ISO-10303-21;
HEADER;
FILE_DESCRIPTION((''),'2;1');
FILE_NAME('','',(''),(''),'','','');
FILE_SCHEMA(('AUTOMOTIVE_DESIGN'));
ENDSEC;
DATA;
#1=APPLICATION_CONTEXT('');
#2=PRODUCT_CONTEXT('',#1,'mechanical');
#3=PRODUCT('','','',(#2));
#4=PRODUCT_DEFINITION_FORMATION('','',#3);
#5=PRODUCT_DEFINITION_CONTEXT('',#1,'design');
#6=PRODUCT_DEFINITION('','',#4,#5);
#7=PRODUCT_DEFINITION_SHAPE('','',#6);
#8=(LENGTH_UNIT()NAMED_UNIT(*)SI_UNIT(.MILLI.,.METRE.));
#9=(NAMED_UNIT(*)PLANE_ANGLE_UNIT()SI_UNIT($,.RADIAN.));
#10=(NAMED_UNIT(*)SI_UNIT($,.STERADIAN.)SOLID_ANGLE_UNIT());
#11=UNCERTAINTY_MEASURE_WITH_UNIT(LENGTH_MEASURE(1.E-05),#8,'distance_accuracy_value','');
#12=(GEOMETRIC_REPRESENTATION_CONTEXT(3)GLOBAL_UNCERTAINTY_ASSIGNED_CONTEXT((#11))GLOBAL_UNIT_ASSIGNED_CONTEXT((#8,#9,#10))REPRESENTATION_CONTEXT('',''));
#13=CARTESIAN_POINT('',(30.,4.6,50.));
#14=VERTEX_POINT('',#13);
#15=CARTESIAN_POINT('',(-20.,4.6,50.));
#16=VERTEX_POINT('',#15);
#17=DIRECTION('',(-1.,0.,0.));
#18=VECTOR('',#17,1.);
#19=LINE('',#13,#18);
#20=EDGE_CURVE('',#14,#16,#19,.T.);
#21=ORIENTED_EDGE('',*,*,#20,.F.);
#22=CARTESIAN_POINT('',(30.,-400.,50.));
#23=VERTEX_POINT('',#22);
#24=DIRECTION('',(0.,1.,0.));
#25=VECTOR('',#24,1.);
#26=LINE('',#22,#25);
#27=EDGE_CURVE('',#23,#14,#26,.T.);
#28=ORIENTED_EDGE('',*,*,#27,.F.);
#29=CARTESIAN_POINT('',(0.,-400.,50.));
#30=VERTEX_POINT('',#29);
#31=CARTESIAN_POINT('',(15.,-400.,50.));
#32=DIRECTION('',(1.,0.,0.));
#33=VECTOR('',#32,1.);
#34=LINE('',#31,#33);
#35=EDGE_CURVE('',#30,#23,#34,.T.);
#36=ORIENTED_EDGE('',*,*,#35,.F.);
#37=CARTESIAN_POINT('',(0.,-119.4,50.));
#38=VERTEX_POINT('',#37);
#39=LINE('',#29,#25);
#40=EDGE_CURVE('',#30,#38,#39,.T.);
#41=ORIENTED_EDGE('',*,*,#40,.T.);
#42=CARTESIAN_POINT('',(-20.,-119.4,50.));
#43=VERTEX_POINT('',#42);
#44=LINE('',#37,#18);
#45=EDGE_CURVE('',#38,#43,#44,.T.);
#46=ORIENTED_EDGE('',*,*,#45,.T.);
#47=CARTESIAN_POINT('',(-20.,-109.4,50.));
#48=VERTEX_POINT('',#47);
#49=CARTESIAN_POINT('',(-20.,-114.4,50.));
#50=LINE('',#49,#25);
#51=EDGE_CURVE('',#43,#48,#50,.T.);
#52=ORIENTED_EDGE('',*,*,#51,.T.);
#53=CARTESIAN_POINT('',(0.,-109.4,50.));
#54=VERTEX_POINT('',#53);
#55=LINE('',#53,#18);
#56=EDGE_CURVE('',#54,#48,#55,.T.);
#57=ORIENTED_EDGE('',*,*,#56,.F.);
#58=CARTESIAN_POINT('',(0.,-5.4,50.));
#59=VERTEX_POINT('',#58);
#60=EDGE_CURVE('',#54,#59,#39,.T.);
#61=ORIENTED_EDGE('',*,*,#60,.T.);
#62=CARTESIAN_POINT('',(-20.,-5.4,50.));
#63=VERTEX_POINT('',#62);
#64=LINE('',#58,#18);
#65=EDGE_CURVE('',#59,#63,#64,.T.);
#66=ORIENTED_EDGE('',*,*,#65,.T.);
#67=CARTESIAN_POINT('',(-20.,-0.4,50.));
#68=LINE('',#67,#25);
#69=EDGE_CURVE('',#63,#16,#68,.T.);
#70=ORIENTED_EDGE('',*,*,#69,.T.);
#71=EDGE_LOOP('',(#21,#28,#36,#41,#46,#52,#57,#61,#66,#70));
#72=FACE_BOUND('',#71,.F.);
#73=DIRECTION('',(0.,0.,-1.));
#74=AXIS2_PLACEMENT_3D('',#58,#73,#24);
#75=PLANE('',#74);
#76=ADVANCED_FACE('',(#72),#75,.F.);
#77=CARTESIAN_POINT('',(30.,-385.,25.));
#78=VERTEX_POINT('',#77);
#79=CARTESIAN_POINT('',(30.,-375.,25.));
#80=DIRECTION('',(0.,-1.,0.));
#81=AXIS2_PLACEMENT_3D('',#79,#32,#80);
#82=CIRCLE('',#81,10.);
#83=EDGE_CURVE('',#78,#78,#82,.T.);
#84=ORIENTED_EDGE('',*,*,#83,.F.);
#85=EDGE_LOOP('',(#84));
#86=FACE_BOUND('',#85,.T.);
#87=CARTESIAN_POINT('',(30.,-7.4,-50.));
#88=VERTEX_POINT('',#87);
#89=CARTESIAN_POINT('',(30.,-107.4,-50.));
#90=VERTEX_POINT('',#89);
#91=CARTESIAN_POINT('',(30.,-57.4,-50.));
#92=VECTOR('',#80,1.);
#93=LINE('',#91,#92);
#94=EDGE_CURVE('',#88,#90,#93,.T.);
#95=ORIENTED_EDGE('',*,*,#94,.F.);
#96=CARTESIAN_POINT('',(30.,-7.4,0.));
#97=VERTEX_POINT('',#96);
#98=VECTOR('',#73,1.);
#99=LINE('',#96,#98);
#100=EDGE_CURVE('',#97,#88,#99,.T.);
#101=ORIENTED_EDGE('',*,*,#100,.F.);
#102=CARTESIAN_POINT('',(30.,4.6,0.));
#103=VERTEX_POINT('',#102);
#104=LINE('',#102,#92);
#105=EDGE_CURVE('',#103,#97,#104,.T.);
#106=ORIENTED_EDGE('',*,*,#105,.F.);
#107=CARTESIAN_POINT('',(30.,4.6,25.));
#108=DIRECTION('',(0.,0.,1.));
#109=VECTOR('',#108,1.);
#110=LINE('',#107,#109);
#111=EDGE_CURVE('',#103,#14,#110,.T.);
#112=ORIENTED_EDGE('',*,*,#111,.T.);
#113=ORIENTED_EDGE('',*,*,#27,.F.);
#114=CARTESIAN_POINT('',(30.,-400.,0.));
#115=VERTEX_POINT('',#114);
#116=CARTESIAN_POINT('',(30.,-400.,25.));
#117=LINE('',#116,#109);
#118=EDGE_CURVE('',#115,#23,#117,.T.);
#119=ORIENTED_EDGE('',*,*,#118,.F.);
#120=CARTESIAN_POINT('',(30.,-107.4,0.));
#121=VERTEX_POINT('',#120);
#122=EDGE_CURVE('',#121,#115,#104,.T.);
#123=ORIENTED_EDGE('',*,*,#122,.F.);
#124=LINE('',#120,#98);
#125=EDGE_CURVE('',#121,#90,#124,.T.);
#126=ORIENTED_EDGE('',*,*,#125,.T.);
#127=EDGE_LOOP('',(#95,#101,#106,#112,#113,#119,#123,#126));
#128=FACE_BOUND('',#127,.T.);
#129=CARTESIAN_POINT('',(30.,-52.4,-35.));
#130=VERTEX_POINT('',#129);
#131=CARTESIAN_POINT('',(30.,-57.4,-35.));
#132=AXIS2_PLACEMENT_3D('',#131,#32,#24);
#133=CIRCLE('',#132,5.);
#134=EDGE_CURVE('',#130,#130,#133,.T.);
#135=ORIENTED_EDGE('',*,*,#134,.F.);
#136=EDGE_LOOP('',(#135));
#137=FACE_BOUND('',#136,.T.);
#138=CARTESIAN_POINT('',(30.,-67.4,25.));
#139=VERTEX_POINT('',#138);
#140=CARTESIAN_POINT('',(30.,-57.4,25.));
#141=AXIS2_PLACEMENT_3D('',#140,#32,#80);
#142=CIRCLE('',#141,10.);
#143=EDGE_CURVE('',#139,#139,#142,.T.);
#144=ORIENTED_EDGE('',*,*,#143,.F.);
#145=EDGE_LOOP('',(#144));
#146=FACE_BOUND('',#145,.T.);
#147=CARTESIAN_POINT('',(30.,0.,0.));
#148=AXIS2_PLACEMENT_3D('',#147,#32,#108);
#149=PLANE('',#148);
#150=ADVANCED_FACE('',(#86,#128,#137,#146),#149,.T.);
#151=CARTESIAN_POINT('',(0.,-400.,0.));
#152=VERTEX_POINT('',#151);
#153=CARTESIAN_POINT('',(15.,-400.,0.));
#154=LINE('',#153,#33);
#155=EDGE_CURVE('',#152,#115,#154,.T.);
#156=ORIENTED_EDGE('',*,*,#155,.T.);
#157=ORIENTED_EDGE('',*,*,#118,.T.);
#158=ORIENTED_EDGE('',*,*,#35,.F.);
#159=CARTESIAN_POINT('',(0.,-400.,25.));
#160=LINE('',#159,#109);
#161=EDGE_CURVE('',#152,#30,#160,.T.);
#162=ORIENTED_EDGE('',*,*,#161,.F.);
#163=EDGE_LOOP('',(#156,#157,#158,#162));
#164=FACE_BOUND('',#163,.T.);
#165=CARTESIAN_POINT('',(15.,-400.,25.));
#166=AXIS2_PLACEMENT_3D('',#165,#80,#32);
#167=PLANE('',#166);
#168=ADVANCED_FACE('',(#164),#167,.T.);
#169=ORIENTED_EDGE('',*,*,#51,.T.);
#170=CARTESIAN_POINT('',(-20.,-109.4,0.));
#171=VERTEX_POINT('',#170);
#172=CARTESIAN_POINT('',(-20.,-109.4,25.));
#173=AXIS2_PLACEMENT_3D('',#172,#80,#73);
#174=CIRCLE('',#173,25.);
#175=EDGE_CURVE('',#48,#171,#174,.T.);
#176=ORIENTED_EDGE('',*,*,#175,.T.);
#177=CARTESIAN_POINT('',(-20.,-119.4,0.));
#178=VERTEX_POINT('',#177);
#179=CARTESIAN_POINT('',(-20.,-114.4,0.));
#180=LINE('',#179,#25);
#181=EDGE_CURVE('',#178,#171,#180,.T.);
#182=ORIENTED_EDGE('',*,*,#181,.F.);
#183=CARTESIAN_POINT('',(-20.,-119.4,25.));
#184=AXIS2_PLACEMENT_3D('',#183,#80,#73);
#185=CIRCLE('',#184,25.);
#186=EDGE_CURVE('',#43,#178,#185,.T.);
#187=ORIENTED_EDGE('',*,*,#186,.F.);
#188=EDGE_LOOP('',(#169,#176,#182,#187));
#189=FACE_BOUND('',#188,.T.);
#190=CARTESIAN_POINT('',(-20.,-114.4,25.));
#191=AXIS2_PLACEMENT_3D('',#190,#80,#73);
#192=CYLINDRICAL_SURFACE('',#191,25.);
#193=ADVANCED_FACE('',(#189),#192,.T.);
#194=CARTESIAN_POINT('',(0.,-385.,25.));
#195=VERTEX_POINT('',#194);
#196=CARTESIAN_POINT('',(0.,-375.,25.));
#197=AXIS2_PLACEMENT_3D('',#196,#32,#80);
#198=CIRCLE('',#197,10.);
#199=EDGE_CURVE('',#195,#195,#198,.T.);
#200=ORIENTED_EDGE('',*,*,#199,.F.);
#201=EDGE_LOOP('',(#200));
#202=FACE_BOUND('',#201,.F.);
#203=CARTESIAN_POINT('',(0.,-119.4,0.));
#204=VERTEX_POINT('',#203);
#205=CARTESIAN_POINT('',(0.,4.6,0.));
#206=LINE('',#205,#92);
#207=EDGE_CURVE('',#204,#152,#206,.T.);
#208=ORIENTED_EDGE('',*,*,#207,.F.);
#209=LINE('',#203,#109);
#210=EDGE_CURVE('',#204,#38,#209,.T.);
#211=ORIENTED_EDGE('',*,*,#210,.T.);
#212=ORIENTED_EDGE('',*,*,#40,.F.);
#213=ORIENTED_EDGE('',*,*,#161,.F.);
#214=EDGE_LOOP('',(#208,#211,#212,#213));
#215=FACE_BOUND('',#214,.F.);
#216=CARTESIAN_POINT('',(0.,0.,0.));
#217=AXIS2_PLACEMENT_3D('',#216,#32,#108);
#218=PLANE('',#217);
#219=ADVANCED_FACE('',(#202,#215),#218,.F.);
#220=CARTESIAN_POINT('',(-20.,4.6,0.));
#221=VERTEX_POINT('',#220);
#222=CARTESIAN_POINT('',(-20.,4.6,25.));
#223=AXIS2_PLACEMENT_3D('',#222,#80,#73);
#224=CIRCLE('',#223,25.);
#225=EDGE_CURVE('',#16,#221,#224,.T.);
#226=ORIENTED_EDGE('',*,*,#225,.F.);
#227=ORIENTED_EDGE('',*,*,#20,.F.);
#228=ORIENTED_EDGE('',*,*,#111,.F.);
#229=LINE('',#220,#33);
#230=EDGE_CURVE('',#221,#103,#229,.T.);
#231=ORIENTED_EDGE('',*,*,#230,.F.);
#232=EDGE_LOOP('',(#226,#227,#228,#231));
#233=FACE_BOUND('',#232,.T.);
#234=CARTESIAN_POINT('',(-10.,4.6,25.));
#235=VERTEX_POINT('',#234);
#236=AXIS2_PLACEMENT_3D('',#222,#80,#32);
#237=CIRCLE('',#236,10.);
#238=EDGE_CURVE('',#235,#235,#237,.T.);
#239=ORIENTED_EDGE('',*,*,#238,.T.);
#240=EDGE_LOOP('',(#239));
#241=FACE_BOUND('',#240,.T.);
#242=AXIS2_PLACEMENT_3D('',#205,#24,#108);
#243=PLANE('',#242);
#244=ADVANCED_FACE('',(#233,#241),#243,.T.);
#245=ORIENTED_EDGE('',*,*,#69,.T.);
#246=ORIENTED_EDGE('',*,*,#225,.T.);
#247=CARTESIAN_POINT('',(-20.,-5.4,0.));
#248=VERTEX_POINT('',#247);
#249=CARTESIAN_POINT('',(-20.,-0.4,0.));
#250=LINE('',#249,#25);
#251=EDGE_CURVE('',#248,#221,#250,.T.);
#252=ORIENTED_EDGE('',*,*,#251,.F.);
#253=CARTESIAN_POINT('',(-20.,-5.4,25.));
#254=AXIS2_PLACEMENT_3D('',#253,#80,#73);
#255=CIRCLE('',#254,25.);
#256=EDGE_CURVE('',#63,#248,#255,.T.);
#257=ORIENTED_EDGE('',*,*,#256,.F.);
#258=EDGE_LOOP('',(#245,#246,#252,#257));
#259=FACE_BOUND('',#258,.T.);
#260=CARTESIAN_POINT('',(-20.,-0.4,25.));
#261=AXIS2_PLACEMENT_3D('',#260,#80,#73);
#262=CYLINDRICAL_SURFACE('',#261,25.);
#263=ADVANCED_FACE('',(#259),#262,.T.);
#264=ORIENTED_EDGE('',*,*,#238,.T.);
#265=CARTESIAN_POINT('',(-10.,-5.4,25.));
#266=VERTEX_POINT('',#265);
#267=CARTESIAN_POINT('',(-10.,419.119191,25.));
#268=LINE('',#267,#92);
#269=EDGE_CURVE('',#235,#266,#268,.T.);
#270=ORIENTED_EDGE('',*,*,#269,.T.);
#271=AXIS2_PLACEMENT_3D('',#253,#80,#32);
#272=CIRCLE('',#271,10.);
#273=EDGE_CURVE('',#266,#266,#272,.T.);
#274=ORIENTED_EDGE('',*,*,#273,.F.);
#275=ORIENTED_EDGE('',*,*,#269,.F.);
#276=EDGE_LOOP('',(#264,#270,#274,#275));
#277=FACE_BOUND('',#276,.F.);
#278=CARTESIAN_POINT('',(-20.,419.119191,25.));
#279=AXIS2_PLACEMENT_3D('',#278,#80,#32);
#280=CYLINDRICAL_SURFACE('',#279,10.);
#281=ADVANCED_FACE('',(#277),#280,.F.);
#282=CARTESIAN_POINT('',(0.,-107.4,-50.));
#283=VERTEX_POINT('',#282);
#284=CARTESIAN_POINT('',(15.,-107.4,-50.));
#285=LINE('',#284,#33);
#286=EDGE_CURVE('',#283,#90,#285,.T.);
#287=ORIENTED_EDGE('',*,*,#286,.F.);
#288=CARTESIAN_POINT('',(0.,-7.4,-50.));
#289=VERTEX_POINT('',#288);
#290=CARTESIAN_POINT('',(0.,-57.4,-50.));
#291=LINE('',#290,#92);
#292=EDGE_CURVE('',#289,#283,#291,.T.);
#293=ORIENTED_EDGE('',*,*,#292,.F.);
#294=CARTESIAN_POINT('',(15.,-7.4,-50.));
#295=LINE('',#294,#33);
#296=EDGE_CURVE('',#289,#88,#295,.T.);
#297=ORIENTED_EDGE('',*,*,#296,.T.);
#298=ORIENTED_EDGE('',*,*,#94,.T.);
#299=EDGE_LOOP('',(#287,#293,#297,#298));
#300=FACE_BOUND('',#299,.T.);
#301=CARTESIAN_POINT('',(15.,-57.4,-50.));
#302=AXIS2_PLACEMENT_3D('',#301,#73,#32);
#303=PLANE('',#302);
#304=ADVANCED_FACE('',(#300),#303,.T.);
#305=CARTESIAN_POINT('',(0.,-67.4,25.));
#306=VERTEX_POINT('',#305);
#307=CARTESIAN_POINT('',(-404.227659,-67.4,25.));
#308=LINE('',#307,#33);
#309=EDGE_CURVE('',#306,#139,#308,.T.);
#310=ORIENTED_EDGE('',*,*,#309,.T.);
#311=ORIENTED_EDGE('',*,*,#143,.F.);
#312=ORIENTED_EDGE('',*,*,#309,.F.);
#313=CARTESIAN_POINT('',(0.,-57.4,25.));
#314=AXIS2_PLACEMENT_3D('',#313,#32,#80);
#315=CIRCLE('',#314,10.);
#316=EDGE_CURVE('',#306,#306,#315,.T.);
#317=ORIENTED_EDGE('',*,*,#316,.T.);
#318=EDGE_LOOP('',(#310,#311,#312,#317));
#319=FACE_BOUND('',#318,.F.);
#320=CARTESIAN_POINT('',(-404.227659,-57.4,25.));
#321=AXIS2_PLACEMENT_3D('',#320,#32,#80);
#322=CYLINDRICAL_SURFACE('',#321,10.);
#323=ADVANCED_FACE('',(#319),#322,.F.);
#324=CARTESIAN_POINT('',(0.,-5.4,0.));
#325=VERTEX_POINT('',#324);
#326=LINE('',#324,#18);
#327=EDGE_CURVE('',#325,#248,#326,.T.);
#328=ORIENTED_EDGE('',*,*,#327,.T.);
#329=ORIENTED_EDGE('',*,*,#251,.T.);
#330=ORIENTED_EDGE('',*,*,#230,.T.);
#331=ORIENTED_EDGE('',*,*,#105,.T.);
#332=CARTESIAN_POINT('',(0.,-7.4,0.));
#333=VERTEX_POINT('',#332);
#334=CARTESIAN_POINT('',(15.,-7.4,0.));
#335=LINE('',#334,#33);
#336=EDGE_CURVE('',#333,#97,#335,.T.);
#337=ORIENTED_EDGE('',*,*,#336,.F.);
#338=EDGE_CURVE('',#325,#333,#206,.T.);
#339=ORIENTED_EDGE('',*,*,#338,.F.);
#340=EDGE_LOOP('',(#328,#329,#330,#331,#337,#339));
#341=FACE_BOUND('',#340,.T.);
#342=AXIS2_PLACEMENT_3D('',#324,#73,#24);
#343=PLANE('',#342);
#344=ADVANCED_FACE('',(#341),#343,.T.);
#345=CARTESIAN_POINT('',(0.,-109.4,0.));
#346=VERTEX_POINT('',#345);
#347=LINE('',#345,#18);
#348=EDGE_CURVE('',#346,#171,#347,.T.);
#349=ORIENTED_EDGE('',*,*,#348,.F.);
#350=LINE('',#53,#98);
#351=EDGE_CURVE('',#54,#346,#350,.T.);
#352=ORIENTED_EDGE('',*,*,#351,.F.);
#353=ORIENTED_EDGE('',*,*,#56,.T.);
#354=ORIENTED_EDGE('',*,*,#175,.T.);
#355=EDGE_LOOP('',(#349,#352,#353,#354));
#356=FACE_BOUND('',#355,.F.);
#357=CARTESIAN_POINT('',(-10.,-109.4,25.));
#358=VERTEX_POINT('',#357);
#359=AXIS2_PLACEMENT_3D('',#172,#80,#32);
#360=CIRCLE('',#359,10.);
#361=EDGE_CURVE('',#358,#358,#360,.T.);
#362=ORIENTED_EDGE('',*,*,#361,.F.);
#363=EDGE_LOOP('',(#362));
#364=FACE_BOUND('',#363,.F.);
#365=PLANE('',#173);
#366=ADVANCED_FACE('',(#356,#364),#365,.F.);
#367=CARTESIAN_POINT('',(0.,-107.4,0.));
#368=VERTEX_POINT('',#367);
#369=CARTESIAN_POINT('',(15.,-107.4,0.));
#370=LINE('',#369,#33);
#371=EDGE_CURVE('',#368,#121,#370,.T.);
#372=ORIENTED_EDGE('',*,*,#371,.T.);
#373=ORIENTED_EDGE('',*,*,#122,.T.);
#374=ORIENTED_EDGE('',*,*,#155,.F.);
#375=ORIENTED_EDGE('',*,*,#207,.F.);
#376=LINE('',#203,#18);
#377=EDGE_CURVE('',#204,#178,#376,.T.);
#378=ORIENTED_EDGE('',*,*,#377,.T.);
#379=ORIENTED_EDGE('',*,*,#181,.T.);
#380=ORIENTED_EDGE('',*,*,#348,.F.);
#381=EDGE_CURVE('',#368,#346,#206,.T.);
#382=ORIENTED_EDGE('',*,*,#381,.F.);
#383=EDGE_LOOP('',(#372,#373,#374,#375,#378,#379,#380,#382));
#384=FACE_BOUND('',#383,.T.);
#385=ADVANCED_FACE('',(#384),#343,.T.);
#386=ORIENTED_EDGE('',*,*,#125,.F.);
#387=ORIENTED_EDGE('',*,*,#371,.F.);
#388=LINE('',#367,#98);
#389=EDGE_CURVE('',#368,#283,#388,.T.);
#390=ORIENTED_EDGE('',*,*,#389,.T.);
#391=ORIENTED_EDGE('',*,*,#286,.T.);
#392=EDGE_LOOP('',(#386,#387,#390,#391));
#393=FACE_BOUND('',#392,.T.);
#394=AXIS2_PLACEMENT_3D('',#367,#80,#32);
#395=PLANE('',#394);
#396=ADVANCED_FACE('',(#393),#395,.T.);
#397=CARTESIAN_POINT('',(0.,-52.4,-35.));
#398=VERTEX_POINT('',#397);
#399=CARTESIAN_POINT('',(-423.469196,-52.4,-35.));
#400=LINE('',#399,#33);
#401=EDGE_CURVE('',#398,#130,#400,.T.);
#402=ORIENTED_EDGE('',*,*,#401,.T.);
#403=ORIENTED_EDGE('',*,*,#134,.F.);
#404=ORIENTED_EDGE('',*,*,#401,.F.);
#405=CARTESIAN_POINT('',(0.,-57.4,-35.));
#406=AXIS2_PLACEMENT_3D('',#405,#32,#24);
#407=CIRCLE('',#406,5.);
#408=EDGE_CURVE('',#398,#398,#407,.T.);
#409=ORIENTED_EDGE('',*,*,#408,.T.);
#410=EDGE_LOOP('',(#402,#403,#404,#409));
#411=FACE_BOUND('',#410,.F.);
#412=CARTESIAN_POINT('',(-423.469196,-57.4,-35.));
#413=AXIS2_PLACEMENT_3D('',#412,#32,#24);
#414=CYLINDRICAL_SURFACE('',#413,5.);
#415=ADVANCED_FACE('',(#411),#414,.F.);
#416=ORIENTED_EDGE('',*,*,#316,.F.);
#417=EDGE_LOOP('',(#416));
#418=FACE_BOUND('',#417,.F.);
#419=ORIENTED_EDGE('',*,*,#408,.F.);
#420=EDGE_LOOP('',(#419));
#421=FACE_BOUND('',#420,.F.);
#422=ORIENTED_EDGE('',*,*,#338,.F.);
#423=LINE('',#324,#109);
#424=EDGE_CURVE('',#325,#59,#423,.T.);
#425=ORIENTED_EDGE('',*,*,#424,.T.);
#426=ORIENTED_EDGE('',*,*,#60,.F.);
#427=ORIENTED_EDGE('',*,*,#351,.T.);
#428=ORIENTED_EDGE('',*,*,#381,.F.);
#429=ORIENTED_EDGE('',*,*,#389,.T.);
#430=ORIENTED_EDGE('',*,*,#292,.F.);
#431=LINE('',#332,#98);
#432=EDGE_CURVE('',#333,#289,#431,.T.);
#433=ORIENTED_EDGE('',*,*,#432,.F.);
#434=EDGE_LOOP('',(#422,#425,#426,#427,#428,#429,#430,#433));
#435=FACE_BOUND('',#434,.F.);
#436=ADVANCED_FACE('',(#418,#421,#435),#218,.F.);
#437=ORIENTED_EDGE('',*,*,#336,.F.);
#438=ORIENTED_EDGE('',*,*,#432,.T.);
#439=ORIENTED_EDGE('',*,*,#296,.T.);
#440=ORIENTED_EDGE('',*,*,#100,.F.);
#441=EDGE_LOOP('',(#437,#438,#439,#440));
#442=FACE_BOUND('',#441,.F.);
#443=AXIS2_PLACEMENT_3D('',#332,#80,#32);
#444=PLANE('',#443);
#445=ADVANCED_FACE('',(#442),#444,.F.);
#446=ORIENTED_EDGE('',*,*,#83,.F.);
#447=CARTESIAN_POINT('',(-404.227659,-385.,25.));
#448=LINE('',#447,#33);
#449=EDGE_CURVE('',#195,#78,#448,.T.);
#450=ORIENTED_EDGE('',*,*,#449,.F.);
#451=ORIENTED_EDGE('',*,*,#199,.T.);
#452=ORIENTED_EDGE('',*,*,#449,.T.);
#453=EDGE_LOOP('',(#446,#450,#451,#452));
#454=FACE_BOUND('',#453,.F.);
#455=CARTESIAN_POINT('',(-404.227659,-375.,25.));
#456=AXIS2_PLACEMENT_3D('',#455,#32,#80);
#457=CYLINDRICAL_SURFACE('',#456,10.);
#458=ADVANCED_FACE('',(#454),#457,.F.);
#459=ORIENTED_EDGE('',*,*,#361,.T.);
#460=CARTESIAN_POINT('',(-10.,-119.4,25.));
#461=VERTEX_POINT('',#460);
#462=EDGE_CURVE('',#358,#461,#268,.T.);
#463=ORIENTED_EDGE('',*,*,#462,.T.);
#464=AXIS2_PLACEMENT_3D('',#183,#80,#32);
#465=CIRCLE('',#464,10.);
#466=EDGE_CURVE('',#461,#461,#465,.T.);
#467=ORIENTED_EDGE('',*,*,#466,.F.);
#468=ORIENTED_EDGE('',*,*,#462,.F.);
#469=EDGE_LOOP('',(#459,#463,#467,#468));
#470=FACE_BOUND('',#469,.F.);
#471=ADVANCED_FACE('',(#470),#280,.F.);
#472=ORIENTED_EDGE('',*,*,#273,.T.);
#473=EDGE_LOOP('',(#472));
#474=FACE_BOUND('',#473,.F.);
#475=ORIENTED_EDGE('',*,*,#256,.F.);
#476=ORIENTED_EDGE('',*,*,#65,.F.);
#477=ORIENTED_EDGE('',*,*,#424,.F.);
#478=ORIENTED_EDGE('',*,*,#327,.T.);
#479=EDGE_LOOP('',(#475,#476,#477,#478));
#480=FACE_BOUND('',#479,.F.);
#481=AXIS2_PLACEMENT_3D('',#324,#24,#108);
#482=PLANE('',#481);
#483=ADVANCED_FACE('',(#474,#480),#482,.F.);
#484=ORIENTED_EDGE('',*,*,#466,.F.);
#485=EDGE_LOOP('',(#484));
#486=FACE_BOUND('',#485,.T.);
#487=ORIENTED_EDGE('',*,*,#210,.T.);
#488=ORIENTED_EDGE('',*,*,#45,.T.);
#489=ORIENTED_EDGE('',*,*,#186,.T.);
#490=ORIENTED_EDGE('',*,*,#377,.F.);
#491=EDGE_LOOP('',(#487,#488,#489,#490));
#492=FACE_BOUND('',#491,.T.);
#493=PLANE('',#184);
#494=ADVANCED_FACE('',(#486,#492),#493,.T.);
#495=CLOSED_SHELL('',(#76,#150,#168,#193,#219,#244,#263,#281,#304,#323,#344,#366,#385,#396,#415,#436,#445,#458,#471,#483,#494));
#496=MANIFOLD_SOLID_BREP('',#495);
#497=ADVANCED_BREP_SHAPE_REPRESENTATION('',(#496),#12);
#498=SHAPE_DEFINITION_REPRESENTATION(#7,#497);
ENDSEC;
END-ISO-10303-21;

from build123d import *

# Parameters (mm, degrees)
F0_W      = 30
F0_H      = 50
F1_DEPTH  = 400
F3_D      = 20
F4_DEPTH  = 4.6
F5_W      = 10
F5_H      = 50
F6_DEPTH  = 20
F7_W      = 10
F7_H      = 25
F9_W      = 10
F9_H      = 25
F12_D     = 20
F13_W     = 30
F13_H     = 100
F14_DEPTH = 50
F16_D     = 10


with BuildPart() as f1:
    # F0 (on Front) → F1 (new body)
    with BuildSketch(Plane.XZ):
        with Locations((15, 25)):
            Rectangle(F0_W, F0_H)
    extrude(amount=F1_DEPTH)

    # F3 (through all)
    with Locations(Plane(origin=(0, 0, 0), x_dir=(0, 1, 0), z_dir=(-1, 0, 0))):
        with Locations((-375, -25), (-57.4, -25)):
            Hole(F3_D / 2)

    # F0 (on Front) → F4 (join)
    with BuildSketch(Plane.XZ):
        with Locations((15, 25)):
            Rectangle(F0_W, F0_H)
    extrude(amount=-F4_DEPTH)

    # F5 (on Right) → F6 (join)
    with BuildSketch(Plane.YZ):
        with Locations((-0.4, 25)):
            Rectangle(F5_W, F5_H)
        with Locations((-114.4, 25)):
            Rectangle(F5_W, F5_H)
    extrude(amount=-F6_DEPTH)

    # F7 (on face) → F8 (revolve)
    with BuildSketch(Plane(origin=(-20, 0, 0), x_dir=(0, -1, 0), z_dir=(-1, 0, 0))):
        with Locations((0.4, 12.5)):
            Rectangle(F7_W, F7_H)
    revolve(axis=Axis((-20, -0.4124408588, 25), (0, -1, 0)))

    # F9 (on face) → F10 (revolve)
    with BuildSketch(Plane(origin=(-20, 0, 0), x_dir=(0, -1, 0), z_dir=(-1, 0, 0))):
        with Locations((114.4, 12.5)):
            Rectangle(F9_W, F9_H)
    revolve(axis=Axis((-20, -114.0791960061, 25), (0, -1, 0)))

    # F12 (through all)
    with Locations(Plane(origin=(0, 4.6, 0), x_dir=(-1, 0, 0), z_dir=(0, 1, 0))):
        with Locations((20, 25)):
            Hole(F12_D / 2)

    # F13 (on face) → F14 (join)
    with BuildSketch(Plane(origin=(0, 0, 0), x_dir=(1, 0, 0), z_dir=(0, 0, -1))):
        with Locations((15, 57.4)):
            Rectangle(F13_W, F13_H)
    extrude(amount=F14_DEPTH)

    # F16 (through all)
    with Locations(Plane(origin=(0, 0, 0), x_dir=(0, -1, 0), z_dir=(-1, 0, 0))):
        with Locations((57.4, -35)):
            Hole(F16_D / 2)


solid = f1.part
